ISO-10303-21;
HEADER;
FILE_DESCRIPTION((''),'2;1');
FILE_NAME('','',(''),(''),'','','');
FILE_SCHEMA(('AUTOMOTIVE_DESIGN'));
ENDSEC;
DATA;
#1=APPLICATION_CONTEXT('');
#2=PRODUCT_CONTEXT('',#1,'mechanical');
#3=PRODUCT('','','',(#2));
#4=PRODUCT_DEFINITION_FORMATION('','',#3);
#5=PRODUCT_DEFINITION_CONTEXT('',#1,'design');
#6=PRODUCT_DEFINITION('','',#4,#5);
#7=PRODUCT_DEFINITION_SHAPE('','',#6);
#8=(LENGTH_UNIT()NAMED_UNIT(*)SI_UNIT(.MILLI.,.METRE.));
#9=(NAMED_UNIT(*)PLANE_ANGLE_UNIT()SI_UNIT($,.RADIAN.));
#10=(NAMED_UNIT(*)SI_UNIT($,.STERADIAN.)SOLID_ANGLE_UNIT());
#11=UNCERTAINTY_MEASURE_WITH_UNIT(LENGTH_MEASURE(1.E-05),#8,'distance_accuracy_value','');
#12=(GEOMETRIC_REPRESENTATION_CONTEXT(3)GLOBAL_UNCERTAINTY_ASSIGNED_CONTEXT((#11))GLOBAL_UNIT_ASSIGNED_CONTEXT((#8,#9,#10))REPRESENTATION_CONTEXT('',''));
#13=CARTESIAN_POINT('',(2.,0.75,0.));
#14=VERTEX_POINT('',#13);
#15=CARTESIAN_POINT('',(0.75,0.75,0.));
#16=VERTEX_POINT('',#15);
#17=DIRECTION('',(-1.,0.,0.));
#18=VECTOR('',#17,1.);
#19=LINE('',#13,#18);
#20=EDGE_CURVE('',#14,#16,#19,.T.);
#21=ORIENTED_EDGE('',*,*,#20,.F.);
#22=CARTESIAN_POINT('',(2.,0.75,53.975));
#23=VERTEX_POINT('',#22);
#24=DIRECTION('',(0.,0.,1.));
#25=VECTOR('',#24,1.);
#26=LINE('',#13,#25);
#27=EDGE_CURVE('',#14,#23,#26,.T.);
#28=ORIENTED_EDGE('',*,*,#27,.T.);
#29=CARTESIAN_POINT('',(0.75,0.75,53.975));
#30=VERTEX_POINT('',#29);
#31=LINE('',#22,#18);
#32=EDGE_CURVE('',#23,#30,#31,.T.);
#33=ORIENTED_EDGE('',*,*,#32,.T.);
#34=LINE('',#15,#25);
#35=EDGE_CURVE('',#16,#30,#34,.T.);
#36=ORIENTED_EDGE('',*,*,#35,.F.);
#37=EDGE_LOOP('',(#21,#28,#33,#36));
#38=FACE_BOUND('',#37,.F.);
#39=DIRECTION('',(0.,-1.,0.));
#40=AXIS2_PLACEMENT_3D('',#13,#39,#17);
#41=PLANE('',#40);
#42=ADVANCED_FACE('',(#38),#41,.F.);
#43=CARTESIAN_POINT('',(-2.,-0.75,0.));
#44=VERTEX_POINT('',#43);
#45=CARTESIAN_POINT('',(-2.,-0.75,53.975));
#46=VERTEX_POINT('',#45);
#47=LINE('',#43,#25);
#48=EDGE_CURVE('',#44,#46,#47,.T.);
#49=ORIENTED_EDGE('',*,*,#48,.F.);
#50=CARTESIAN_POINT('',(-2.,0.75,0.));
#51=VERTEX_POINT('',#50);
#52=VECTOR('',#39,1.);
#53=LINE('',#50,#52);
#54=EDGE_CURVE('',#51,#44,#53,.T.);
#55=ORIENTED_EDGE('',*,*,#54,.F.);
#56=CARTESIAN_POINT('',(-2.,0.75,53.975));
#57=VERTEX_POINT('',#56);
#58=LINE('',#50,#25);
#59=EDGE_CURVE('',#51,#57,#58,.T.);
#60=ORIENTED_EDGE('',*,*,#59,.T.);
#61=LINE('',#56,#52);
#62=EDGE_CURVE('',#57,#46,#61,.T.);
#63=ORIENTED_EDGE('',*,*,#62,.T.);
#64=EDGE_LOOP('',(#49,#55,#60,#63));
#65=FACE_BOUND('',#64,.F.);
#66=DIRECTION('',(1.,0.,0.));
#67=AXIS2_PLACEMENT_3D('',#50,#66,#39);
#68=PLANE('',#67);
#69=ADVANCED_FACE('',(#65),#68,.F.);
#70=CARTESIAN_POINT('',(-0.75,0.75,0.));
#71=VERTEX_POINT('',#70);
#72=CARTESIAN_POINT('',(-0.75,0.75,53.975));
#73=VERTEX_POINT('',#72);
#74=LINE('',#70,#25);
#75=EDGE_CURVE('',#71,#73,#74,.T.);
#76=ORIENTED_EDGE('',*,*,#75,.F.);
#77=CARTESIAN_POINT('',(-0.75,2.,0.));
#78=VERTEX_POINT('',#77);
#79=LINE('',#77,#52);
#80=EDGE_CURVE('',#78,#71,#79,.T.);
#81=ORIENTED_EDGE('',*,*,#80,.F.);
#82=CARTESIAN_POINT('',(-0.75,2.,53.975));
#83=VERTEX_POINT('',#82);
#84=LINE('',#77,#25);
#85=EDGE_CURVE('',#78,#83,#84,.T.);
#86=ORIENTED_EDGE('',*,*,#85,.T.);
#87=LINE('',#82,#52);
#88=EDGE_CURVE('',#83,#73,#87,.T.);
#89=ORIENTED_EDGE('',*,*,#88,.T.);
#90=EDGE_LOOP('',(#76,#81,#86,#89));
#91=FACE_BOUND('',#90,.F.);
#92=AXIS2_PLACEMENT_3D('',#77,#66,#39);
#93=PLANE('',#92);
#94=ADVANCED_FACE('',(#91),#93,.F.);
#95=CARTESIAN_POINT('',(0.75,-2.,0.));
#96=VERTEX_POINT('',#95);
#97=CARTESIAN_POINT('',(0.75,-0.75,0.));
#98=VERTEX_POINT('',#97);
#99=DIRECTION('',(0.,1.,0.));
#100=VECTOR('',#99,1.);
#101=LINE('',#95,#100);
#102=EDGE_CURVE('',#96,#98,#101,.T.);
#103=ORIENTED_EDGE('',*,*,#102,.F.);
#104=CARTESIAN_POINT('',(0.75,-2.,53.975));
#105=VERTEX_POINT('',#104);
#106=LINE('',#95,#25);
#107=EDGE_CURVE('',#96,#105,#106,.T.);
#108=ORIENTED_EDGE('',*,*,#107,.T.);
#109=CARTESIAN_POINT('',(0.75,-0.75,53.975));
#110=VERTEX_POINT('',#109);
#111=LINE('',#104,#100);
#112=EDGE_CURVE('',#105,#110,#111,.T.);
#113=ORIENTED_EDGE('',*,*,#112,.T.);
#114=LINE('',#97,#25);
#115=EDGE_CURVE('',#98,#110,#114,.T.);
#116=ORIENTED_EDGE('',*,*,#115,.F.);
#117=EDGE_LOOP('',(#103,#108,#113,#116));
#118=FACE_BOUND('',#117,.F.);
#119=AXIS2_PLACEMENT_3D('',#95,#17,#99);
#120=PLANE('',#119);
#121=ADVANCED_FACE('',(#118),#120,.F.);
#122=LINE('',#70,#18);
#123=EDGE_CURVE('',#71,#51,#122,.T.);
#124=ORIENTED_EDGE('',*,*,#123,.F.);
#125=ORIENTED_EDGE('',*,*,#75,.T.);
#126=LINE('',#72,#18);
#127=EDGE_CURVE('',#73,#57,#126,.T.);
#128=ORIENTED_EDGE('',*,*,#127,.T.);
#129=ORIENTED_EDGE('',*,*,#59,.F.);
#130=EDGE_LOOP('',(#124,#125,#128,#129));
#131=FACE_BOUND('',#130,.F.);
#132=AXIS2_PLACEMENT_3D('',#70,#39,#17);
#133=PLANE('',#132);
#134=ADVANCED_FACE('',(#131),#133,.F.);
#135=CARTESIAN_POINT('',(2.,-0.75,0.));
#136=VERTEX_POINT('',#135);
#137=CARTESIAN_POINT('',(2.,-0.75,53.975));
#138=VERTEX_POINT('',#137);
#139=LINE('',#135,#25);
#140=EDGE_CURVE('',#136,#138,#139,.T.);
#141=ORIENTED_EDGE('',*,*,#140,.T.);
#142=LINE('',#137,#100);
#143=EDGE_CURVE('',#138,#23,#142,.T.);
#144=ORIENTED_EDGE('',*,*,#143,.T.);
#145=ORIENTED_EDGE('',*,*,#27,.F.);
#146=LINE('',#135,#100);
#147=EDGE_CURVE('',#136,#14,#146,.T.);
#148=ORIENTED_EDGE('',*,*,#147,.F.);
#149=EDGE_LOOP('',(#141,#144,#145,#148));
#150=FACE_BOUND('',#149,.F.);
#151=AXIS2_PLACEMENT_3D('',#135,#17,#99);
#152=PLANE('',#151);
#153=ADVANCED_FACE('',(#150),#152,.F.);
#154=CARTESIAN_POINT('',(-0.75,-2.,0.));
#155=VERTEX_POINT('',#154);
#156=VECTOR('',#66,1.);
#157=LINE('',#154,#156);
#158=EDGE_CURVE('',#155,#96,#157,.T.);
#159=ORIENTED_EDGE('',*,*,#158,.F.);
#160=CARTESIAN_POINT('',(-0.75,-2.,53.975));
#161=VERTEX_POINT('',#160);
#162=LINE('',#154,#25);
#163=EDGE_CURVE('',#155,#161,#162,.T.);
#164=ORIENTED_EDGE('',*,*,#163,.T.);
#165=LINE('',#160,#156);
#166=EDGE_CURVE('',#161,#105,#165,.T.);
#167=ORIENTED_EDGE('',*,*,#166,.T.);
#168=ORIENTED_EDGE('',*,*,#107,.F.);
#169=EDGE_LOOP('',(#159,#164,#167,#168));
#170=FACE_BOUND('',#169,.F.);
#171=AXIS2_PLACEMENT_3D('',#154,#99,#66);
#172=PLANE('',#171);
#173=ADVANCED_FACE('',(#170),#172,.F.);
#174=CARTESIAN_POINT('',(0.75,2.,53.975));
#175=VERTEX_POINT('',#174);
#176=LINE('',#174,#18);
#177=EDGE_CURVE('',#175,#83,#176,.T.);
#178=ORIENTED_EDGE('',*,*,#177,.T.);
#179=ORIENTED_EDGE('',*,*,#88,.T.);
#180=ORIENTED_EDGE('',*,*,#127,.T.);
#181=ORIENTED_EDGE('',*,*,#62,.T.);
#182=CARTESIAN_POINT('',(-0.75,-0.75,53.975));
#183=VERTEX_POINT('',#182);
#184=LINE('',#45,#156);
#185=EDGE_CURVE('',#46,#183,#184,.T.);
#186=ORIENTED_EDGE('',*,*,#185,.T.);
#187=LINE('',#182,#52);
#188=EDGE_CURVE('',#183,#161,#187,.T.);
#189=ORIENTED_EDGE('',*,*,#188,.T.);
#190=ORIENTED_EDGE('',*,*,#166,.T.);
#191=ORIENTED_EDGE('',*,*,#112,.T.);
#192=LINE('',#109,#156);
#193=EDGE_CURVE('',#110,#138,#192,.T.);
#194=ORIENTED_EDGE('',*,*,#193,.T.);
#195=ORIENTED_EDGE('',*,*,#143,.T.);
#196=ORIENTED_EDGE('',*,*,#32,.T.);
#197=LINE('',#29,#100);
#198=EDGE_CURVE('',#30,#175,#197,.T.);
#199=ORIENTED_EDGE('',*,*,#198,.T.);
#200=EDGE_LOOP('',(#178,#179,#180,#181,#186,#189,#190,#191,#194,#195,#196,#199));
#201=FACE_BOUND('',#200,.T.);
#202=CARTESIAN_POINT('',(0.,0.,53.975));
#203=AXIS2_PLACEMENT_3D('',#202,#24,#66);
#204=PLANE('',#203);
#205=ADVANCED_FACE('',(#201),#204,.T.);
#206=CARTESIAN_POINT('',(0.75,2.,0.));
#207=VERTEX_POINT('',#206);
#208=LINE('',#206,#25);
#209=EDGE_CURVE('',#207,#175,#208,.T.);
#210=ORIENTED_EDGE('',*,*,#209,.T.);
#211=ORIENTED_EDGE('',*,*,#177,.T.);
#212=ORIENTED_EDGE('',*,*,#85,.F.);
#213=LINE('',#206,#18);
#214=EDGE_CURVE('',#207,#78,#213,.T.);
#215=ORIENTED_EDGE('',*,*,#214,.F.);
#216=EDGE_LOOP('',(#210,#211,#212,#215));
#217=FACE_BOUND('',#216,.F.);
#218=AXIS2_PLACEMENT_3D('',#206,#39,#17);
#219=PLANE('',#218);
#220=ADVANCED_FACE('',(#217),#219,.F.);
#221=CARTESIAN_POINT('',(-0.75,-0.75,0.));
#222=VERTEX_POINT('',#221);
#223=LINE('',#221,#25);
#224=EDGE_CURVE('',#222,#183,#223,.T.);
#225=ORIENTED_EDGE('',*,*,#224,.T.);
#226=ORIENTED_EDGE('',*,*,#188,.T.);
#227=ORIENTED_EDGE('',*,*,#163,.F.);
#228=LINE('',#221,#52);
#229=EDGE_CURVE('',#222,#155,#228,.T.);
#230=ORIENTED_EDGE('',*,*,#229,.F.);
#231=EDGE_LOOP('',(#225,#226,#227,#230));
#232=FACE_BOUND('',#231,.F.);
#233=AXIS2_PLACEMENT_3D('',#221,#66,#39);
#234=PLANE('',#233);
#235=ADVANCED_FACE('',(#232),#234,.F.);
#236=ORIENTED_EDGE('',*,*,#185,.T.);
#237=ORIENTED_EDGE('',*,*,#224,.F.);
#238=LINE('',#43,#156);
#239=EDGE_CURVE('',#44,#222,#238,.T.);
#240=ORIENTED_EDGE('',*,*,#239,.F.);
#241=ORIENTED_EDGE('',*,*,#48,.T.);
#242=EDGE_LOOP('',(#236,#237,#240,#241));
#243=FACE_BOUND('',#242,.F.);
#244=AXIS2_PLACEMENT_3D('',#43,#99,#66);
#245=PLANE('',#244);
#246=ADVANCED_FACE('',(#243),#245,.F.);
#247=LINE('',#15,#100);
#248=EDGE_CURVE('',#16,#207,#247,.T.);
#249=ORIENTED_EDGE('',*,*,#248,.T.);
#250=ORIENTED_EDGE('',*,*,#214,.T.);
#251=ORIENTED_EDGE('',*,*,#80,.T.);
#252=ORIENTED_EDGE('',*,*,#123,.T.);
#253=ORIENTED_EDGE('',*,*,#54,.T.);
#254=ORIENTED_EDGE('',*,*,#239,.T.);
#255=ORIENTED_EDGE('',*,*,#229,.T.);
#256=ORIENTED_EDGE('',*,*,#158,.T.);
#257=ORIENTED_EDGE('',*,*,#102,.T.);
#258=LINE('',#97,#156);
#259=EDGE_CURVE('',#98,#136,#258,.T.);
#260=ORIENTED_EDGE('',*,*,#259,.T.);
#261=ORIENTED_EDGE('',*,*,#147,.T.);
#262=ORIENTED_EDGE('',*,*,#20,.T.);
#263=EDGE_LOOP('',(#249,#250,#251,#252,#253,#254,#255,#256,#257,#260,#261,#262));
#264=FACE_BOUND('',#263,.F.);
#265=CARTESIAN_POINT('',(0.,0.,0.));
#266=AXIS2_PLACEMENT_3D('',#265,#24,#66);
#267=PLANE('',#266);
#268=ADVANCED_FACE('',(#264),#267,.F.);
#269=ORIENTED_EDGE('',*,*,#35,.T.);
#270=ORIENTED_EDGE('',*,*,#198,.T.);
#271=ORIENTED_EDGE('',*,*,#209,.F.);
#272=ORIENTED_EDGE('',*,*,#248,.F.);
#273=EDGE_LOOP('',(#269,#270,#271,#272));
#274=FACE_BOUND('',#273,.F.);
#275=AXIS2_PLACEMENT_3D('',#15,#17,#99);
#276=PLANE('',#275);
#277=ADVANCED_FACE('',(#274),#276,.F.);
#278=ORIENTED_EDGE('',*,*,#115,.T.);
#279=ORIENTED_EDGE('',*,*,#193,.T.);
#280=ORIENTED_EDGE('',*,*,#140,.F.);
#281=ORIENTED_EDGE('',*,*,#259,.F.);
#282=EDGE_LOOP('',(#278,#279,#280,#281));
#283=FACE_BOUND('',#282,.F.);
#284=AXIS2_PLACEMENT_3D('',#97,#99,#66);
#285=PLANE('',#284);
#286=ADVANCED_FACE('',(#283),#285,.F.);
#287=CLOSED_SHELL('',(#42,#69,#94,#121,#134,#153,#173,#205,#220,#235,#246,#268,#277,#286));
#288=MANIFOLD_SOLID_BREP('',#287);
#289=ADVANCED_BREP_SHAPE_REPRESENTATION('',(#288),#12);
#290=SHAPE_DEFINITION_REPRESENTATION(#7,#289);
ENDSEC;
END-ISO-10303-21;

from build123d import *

# Parameters (mm, degrees)
F1_DEPTH = 53.975


with BuildPart() as f1:
    # F0 (on Top) → F1 (new body)
    with BuildSketch(Plane.XY):
        Polygon((0.75, 2), (0, 2), (-0.75, 2), (-0.75, 0.75), (-2, 0.75), (-2, 0), (-2, -0.75), (-0.75, -0.75), (-0.75, -2), (0, -2), (0.75, -2), (0.75, -0.75), (2, -0.75), (2, 0), (2, 0.75), (0.75, 0.75), align=None)
    extrude(amount=F1_DEPTH)


solid = f1.part
